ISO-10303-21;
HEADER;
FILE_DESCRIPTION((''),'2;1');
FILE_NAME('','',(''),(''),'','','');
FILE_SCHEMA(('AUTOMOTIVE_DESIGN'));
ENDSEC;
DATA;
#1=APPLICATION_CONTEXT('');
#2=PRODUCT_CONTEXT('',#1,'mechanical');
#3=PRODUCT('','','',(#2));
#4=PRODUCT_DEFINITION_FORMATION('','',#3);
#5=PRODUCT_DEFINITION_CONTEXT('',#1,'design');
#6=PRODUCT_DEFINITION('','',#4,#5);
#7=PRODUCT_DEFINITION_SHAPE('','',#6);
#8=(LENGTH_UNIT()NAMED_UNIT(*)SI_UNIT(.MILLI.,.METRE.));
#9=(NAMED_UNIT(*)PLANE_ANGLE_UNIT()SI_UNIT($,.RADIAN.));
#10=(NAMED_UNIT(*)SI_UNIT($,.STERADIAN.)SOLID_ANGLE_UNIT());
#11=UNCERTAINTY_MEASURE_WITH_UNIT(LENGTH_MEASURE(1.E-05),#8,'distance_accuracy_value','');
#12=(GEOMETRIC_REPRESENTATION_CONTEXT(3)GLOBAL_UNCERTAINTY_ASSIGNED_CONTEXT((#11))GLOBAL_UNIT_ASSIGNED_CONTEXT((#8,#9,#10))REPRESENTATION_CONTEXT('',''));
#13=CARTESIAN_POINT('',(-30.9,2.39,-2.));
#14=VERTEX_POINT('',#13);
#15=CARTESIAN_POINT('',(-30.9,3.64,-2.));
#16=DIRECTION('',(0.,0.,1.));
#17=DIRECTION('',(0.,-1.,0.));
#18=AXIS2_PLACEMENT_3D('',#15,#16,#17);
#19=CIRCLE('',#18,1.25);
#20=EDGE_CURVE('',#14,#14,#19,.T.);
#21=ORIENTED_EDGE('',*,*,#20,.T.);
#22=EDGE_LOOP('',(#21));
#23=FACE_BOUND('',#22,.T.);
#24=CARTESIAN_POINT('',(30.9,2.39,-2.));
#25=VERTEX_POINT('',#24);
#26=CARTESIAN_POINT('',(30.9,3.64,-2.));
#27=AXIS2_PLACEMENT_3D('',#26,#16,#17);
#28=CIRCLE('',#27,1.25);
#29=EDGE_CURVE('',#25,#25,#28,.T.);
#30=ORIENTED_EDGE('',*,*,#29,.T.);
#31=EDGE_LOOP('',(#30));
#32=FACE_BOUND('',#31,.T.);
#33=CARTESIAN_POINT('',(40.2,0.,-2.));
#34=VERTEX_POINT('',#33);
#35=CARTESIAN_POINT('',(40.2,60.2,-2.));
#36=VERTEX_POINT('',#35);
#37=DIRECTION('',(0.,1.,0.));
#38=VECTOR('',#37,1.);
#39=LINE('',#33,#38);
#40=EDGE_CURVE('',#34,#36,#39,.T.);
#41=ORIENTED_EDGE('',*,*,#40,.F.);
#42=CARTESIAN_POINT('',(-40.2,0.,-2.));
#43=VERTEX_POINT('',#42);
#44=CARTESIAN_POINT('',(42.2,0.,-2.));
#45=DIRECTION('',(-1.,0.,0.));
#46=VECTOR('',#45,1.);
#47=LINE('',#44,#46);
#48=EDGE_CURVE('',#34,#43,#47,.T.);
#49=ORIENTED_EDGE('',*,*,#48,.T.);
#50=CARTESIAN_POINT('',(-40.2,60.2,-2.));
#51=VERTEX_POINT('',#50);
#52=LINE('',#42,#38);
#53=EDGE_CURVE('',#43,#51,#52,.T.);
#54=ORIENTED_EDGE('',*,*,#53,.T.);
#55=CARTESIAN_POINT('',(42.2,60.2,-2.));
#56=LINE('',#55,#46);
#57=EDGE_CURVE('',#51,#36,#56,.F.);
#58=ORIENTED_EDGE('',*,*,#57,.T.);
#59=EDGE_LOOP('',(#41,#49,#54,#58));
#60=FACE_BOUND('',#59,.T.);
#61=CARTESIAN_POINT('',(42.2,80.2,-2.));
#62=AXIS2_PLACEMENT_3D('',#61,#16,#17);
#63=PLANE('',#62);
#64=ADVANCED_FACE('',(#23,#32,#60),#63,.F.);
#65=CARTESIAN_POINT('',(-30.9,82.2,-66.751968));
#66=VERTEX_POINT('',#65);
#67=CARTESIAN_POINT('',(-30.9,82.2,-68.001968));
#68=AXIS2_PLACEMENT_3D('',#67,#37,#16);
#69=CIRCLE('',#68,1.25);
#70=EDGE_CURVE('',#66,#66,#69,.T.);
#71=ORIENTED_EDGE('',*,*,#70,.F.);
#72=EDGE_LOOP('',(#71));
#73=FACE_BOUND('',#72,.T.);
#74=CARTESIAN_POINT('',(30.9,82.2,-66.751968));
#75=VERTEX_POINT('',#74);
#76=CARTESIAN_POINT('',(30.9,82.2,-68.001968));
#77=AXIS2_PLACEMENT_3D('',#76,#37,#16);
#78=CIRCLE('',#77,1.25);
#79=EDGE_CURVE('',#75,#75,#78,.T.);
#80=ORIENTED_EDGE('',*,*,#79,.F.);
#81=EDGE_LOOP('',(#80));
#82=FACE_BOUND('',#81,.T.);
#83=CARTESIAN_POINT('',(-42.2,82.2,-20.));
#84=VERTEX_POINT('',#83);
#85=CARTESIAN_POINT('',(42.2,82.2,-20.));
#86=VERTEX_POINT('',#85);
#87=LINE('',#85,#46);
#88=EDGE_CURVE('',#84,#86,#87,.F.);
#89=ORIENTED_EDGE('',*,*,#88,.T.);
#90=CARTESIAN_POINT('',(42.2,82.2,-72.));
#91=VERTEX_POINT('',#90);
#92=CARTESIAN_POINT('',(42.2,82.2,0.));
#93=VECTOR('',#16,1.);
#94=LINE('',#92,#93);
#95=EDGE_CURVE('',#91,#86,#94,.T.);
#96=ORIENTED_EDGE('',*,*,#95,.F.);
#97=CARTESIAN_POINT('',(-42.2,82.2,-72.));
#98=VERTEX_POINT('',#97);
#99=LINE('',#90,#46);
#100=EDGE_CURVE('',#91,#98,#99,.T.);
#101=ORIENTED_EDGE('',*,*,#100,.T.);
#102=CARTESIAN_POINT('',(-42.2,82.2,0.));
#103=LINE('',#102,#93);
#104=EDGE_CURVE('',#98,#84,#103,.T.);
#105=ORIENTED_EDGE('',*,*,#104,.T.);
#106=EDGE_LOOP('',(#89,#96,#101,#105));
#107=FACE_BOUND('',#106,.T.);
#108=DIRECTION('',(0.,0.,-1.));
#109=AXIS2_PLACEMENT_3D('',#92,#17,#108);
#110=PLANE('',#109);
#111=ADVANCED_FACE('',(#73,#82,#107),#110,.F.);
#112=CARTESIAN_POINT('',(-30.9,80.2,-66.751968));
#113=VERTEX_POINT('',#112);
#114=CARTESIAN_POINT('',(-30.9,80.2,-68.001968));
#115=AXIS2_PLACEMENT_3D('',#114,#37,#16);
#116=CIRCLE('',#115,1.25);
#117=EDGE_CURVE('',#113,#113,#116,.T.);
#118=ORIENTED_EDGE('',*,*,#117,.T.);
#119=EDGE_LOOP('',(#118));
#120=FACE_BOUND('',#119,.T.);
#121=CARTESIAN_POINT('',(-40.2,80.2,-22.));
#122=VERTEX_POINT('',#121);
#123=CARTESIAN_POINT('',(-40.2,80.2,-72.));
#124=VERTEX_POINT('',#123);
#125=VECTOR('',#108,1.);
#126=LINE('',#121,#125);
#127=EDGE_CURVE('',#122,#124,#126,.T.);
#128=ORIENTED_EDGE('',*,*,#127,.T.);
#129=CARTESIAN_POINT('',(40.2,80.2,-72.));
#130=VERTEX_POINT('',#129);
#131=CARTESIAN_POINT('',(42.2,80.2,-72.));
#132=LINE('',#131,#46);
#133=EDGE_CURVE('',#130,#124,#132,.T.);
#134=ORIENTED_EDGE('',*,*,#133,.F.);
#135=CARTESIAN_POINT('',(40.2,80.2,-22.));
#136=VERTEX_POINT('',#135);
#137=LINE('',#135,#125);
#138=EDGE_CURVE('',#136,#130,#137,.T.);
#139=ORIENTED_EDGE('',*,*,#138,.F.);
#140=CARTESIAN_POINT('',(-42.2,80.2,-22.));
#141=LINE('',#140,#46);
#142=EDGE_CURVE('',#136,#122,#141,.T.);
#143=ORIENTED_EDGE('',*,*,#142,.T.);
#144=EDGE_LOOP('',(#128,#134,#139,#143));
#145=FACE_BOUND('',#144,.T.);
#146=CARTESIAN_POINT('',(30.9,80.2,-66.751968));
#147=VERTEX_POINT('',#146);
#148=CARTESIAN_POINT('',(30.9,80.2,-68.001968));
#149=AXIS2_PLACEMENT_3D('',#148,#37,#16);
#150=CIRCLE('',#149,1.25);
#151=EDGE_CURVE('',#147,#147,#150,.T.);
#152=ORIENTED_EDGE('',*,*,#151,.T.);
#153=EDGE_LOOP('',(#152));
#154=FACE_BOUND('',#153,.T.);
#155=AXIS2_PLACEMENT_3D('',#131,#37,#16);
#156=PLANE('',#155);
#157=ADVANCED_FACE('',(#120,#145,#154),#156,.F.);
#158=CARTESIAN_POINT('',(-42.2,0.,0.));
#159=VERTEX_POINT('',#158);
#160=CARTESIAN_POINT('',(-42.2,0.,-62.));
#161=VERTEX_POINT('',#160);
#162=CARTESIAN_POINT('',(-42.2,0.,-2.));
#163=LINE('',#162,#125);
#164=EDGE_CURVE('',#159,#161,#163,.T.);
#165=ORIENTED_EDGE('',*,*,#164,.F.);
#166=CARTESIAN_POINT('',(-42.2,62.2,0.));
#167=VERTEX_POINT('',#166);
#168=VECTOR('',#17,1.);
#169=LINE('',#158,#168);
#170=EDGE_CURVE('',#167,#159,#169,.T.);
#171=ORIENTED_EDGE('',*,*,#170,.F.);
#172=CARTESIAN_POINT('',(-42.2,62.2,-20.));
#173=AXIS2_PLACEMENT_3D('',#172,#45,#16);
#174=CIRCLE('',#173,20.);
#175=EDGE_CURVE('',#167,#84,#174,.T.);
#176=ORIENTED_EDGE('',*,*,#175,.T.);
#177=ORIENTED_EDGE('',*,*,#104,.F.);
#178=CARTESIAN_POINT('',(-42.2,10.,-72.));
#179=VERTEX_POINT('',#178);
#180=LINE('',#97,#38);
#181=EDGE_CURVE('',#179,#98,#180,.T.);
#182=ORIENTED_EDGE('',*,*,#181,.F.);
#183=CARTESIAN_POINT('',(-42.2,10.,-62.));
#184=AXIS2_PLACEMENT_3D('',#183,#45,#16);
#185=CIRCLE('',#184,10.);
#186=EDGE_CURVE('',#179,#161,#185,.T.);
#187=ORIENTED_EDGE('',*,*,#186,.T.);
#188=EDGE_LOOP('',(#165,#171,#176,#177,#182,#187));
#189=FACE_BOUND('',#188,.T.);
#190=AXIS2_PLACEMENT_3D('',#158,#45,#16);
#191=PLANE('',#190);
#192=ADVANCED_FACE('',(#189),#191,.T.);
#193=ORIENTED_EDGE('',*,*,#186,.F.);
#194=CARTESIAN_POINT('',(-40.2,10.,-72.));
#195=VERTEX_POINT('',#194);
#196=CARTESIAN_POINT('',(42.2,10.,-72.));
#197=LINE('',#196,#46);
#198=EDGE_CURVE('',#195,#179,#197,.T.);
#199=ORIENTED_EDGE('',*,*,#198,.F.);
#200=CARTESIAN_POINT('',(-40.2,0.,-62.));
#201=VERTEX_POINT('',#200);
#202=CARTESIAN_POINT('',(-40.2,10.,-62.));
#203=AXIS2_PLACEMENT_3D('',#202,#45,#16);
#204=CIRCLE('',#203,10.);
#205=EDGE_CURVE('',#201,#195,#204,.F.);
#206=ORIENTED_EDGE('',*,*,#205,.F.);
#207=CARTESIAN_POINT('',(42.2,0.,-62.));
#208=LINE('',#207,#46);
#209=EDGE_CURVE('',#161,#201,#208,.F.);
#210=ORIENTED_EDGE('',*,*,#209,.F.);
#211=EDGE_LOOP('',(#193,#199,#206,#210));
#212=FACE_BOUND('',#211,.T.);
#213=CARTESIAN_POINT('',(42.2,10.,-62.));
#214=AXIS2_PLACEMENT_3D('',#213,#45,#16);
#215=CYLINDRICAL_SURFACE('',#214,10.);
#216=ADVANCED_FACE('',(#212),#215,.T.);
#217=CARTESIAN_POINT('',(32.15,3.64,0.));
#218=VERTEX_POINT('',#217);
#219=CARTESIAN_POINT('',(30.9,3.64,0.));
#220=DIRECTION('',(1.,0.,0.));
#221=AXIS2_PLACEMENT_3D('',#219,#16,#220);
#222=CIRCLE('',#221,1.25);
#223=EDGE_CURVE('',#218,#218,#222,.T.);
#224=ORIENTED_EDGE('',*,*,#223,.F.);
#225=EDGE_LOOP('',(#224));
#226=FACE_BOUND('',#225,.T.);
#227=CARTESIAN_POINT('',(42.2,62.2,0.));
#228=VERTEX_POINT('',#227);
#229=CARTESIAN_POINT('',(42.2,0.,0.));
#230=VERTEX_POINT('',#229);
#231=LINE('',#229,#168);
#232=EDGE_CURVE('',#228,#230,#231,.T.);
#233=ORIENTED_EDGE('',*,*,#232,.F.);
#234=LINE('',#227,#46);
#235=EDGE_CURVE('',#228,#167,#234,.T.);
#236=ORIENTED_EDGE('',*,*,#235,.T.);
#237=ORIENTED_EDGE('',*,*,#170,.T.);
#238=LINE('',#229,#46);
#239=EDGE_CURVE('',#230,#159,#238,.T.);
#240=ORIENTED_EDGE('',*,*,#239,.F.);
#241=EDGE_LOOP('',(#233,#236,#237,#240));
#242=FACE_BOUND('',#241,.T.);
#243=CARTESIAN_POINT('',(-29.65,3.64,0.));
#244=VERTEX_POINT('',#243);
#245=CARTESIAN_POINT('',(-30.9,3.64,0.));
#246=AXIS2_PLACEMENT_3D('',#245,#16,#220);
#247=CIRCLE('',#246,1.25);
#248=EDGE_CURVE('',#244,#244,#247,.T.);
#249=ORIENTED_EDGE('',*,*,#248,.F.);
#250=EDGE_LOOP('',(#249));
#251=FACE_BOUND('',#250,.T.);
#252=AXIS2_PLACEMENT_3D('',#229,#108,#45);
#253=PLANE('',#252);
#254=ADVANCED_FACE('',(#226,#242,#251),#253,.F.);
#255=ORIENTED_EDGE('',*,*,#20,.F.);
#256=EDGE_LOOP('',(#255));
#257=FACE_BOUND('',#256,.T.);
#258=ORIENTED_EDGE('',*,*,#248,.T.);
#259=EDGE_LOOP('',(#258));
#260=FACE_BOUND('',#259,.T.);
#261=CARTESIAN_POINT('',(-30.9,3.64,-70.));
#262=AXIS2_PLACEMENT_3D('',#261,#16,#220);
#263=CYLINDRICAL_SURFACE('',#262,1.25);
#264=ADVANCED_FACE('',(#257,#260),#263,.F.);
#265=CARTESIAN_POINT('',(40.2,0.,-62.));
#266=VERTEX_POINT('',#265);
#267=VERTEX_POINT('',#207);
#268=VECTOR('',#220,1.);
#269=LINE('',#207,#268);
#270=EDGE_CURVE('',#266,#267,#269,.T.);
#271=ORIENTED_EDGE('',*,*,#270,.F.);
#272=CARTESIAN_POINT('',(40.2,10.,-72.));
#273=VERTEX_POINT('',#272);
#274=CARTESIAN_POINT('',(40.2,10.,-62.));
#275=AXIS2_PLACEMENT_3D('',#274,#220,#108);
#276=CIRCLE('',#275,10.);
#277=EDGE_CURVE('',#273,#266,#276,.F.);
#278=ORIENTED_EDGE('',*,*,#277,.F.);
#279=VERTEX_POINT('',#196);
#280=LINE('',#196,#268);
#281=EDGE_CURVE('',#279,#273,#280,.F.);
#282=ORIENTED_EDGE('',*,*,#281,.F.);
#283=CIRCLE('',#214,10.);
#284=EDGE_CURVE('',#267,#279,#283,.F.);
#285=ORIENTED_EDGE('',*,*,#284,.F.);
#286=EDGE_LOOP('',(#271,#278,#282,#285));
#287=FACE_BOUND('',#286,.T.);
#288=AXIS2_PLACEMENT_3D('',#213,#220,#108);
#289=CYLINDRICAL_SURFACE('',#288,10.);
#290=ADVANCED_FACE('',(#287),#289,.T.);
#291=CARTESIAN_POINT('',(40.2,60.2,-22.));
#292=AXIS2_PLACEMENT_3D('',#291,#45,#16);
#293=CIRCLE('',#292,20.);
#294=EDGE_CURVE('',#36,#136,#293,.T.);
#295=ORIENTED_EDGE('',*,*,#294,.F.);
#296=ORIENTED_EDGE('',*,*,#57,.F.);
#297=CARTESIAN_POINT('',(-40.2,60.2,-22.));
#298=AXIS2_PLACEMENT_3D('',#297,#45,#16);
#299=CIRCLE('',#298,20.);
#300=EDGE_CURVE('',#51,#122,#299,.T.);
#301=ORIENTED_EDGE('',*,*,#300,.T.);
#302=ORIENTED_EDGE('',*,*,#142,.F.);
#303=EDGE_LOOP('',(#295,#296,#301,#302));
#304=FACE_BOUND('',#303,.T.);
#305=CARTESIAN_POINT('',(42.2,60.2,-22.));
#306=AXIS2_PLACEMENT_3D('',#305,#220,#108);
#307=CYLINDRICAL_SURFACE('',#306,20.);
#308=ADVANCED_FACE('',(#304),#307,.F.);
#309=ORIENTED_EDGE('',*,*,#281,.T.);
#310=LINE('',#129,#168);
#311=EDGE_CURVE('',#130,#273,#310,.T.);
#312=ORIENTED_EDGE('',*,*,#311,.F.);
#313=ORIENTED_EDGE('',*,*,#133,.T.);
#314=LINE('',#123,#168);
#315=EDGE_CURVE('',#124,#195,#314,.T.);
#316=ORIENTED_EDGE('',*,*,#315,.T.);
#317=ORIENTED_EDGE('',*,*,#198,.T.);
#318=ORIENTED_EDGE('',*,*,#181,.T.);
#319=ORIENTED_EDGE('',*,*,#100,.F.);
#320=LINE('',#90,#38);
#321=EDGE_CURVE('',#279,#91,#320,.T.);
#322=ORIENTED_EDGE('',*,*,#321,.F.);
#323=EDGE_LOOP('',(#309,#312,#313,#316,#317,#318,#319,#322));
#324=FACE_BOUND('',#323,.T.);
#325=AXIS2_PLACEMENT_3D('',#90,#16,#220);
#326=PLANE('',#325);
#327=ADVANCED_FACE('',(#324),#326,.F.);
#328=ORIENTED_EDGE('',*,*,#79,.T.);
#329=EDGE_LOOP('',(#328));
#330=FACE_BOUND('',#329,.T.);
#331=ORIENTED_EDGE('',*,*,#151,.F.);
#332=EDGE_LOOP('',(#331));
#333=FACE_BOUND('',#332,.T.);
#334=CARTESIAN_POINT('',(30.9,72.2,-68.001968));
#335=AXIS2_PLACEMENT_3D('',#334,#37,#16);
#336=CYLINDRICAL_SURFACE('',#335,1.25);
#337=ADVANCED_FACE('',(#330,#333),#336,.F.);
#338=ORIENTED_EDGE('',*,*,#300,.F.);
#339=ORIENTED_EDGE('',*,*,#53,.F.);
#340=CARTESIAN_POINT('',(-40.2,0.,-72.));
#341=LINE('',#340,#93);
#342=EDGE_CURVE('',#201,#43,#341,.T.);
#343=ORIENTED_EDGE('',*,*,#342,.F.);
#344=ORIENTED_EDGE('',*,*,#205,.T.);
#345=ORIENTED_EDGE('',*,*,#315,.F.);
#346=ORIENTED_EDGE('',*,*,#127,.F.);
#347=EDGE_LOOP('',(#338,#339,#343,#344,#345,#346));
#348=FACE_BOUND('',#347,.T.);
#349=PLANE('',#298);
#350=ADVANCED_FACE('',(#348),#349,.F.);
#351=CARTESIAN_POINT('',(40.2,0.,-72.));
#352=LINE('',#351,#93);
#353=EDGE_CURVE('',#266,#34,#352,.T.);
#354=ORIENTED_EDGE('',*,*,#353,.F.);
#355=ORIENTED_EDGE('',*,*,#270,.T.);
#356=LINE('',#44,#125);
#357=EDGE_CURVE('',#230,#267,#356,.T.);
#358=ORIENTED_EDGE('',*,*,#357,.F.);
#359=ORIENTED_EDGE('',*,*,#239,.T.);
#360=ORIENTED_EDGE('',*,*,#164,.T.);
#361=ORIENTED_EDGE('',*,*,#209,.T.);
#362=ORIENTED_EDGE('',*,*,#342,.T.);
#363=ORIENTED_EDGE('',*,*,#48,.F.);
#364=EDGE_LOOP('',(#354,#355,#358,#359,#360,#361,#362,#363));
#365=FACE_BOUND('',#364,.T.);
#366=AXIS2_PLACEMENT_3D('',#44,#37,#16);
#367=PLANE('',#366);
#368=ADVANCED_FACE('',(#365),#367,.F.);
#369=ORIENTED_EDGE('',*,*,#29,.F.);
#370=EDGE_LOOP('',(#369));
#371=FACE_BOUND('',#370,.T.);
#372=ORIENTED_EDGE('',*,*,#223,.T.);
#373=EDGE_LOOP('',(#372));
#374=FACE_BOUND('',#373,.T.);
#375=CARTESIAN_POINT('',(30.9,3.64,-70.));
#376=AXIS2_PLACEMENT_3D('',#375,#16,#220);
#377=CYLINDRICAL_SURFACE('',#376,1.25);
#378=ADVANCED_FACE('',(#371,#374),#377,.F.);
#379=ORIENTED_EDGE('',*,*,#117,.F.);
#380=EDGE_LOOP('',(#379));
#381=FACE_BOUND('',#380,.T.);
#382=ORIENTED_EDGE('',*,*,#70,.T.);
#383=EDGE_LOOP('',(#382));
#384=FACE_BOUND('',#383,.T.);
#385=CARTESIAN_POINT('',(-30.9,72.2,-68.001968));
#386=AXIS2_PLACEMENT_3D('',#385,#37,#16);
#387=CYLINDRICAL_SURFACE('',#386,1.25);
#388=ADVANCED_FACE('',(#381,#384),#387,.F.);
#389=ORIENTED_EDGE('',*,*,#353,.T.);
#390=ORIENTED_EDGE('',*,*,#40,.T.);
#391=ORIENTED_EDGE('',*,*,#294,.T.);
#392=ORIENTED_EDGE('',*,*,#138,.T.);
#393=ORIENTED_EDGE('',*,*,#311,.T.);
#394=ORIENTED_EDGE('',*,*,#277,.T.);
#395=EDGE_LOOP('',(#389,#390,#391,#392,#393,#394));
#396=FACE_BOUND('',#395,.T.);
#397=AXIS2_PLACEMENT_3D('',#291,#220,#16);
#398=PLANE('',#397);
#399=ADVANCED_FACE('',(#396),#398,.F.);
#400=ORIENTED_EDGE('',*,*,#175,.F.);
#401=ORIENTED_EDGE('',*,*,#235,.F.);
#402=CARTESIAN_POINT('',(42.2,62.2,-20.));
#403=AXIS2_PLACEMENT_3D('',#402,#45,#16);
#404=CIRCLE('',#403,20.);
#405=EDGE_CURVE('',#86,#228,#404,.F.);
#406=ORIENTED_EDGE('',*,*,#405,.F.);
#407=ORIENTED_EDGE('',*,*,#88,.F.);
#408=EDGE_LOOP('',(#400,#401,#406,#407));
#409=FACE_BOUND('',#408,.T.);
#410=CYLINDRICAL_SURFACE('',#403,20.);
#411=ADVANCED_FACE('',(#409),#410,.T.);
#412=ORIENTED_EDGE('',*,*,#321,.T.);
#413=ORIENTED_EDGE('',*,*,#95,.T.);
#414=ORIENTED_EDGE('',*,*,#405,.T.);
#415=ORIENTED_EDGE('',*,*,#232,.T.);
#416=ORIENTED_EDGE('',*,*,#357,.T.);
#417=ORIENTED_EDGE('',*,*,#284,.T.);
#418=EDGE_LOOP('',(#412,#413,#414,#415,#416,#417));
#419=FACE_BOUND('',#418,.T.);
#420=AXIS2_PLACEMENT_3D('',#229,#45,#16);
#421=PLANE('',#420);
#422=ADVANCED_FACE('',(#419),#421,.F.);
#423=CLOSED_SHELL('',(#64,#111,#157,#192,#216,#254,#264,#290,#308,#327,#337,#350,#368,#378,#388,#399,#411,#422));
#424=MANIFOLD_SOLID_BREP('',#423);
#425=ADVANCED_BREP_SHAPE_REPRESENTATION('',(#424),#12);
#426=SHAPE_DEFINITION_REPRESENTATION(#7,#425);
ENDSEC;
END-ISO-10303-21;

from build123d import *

# Parameters (mm, degrees)
BOSS_EXTRUDE1_DEPTH = 42.2
SKETCH2_R           = 1.25
CUT_EXTRUDE1_DEPTH  = 70
FILLET1_R           = 20
BOSS_EXTRUDE2_DEPTH = 2
FILLET2_R           = 10
SKETCH4_R           = 1.25
CUT_EXTRUDE2_DEPTH  = 10


with BuildPart() as part:
    # Sketch1 → Boss-Extrude1 (new body, symmetric)
    with BuildSketch(Plane(origin=(0, 0, 0), x_dir=(0, 0, -1), z_dir=(1, 0, 0))):
        Polygon((0, 0), (0, 82.2), (72, 82.2), (72, 80.2), (2, 80.2), (2, 0), align=None)
    extrude(amount=BOSS_EXTRUDE1_DEPTH, both=True)

    # Sketch2 → Cut-Extrude1 (cut)
    with BuildSketch(Plane.XY):
        with Locations((-30.9, 3.64)):
            Circle(SKETCH2_R)
        with Locations((30.9, 3.64)):
            Circle(SKETCH2_R)
    extrude(amount=-CUT_EXTRUDE1_DEPTH, mode=Mode.SUBTRACT)

    # Fillet1
    fillet1_edges = [part.edges().sort_by_distance(p)[0] for p in [
        (0, 82.2, 0),
        (0, 80.2, -2),
    ]]
    fillet(fillet1_edges, radius=FILLET1_R)

    # Sketch3 → Boss-Extrude2 (add)
    with BuildSketch(Plane.ZY.offset(42.2)):
        with BuildLine():
            Line((-72, 80.2), (-72, 0))
            Line((-72, 0), (-2, 0))
            Line((-2, 0), (-2, 60.2))
            ThreePointArc((-2, 60.2), (-7.857864376, 74.342135624), (-22, 80.2))
            Line((-22, 80.2), (-72, 80.2))
        make_face()
    boss_extrude2 = extrude(amount=-BOSS_EXTRUDE2_DEPTH)

    # Mirror1: Boss-Extrude2 across plane
    add(boss_extrude2.mirror(Plane(origin=(0, 0, 0), x_dir=(0, 0, 1), z_dir=(1, 0, 0))))

    # Fillet2
    fillet2_edges = [part.edges().sort_by_distance(p)[0] for p in [
        (-41.2, 0, -72),
        (41.2, 0, -72),
    ]]
    fillet(fillet2_edges, radius=FILLET2_R)

    # Sketch4 → Cut-Extrude2 (cut)
    with BuildSketch(Plane(origin=(0, 82.2, 0), x_dir=(1, 0, 0), z_dir=(0, 1, 0))):
        with Locations((-30.9, 68.001968)):
            Circle(SKETCH4_R)
        with Locations((30.9, 68.001968)):
            Circle(SKETCH4_R)
    extrude(amount=-CUT_EXTRUDE2_DEPTH, mode=Mode.SUBTRACT)


solid = part.part
